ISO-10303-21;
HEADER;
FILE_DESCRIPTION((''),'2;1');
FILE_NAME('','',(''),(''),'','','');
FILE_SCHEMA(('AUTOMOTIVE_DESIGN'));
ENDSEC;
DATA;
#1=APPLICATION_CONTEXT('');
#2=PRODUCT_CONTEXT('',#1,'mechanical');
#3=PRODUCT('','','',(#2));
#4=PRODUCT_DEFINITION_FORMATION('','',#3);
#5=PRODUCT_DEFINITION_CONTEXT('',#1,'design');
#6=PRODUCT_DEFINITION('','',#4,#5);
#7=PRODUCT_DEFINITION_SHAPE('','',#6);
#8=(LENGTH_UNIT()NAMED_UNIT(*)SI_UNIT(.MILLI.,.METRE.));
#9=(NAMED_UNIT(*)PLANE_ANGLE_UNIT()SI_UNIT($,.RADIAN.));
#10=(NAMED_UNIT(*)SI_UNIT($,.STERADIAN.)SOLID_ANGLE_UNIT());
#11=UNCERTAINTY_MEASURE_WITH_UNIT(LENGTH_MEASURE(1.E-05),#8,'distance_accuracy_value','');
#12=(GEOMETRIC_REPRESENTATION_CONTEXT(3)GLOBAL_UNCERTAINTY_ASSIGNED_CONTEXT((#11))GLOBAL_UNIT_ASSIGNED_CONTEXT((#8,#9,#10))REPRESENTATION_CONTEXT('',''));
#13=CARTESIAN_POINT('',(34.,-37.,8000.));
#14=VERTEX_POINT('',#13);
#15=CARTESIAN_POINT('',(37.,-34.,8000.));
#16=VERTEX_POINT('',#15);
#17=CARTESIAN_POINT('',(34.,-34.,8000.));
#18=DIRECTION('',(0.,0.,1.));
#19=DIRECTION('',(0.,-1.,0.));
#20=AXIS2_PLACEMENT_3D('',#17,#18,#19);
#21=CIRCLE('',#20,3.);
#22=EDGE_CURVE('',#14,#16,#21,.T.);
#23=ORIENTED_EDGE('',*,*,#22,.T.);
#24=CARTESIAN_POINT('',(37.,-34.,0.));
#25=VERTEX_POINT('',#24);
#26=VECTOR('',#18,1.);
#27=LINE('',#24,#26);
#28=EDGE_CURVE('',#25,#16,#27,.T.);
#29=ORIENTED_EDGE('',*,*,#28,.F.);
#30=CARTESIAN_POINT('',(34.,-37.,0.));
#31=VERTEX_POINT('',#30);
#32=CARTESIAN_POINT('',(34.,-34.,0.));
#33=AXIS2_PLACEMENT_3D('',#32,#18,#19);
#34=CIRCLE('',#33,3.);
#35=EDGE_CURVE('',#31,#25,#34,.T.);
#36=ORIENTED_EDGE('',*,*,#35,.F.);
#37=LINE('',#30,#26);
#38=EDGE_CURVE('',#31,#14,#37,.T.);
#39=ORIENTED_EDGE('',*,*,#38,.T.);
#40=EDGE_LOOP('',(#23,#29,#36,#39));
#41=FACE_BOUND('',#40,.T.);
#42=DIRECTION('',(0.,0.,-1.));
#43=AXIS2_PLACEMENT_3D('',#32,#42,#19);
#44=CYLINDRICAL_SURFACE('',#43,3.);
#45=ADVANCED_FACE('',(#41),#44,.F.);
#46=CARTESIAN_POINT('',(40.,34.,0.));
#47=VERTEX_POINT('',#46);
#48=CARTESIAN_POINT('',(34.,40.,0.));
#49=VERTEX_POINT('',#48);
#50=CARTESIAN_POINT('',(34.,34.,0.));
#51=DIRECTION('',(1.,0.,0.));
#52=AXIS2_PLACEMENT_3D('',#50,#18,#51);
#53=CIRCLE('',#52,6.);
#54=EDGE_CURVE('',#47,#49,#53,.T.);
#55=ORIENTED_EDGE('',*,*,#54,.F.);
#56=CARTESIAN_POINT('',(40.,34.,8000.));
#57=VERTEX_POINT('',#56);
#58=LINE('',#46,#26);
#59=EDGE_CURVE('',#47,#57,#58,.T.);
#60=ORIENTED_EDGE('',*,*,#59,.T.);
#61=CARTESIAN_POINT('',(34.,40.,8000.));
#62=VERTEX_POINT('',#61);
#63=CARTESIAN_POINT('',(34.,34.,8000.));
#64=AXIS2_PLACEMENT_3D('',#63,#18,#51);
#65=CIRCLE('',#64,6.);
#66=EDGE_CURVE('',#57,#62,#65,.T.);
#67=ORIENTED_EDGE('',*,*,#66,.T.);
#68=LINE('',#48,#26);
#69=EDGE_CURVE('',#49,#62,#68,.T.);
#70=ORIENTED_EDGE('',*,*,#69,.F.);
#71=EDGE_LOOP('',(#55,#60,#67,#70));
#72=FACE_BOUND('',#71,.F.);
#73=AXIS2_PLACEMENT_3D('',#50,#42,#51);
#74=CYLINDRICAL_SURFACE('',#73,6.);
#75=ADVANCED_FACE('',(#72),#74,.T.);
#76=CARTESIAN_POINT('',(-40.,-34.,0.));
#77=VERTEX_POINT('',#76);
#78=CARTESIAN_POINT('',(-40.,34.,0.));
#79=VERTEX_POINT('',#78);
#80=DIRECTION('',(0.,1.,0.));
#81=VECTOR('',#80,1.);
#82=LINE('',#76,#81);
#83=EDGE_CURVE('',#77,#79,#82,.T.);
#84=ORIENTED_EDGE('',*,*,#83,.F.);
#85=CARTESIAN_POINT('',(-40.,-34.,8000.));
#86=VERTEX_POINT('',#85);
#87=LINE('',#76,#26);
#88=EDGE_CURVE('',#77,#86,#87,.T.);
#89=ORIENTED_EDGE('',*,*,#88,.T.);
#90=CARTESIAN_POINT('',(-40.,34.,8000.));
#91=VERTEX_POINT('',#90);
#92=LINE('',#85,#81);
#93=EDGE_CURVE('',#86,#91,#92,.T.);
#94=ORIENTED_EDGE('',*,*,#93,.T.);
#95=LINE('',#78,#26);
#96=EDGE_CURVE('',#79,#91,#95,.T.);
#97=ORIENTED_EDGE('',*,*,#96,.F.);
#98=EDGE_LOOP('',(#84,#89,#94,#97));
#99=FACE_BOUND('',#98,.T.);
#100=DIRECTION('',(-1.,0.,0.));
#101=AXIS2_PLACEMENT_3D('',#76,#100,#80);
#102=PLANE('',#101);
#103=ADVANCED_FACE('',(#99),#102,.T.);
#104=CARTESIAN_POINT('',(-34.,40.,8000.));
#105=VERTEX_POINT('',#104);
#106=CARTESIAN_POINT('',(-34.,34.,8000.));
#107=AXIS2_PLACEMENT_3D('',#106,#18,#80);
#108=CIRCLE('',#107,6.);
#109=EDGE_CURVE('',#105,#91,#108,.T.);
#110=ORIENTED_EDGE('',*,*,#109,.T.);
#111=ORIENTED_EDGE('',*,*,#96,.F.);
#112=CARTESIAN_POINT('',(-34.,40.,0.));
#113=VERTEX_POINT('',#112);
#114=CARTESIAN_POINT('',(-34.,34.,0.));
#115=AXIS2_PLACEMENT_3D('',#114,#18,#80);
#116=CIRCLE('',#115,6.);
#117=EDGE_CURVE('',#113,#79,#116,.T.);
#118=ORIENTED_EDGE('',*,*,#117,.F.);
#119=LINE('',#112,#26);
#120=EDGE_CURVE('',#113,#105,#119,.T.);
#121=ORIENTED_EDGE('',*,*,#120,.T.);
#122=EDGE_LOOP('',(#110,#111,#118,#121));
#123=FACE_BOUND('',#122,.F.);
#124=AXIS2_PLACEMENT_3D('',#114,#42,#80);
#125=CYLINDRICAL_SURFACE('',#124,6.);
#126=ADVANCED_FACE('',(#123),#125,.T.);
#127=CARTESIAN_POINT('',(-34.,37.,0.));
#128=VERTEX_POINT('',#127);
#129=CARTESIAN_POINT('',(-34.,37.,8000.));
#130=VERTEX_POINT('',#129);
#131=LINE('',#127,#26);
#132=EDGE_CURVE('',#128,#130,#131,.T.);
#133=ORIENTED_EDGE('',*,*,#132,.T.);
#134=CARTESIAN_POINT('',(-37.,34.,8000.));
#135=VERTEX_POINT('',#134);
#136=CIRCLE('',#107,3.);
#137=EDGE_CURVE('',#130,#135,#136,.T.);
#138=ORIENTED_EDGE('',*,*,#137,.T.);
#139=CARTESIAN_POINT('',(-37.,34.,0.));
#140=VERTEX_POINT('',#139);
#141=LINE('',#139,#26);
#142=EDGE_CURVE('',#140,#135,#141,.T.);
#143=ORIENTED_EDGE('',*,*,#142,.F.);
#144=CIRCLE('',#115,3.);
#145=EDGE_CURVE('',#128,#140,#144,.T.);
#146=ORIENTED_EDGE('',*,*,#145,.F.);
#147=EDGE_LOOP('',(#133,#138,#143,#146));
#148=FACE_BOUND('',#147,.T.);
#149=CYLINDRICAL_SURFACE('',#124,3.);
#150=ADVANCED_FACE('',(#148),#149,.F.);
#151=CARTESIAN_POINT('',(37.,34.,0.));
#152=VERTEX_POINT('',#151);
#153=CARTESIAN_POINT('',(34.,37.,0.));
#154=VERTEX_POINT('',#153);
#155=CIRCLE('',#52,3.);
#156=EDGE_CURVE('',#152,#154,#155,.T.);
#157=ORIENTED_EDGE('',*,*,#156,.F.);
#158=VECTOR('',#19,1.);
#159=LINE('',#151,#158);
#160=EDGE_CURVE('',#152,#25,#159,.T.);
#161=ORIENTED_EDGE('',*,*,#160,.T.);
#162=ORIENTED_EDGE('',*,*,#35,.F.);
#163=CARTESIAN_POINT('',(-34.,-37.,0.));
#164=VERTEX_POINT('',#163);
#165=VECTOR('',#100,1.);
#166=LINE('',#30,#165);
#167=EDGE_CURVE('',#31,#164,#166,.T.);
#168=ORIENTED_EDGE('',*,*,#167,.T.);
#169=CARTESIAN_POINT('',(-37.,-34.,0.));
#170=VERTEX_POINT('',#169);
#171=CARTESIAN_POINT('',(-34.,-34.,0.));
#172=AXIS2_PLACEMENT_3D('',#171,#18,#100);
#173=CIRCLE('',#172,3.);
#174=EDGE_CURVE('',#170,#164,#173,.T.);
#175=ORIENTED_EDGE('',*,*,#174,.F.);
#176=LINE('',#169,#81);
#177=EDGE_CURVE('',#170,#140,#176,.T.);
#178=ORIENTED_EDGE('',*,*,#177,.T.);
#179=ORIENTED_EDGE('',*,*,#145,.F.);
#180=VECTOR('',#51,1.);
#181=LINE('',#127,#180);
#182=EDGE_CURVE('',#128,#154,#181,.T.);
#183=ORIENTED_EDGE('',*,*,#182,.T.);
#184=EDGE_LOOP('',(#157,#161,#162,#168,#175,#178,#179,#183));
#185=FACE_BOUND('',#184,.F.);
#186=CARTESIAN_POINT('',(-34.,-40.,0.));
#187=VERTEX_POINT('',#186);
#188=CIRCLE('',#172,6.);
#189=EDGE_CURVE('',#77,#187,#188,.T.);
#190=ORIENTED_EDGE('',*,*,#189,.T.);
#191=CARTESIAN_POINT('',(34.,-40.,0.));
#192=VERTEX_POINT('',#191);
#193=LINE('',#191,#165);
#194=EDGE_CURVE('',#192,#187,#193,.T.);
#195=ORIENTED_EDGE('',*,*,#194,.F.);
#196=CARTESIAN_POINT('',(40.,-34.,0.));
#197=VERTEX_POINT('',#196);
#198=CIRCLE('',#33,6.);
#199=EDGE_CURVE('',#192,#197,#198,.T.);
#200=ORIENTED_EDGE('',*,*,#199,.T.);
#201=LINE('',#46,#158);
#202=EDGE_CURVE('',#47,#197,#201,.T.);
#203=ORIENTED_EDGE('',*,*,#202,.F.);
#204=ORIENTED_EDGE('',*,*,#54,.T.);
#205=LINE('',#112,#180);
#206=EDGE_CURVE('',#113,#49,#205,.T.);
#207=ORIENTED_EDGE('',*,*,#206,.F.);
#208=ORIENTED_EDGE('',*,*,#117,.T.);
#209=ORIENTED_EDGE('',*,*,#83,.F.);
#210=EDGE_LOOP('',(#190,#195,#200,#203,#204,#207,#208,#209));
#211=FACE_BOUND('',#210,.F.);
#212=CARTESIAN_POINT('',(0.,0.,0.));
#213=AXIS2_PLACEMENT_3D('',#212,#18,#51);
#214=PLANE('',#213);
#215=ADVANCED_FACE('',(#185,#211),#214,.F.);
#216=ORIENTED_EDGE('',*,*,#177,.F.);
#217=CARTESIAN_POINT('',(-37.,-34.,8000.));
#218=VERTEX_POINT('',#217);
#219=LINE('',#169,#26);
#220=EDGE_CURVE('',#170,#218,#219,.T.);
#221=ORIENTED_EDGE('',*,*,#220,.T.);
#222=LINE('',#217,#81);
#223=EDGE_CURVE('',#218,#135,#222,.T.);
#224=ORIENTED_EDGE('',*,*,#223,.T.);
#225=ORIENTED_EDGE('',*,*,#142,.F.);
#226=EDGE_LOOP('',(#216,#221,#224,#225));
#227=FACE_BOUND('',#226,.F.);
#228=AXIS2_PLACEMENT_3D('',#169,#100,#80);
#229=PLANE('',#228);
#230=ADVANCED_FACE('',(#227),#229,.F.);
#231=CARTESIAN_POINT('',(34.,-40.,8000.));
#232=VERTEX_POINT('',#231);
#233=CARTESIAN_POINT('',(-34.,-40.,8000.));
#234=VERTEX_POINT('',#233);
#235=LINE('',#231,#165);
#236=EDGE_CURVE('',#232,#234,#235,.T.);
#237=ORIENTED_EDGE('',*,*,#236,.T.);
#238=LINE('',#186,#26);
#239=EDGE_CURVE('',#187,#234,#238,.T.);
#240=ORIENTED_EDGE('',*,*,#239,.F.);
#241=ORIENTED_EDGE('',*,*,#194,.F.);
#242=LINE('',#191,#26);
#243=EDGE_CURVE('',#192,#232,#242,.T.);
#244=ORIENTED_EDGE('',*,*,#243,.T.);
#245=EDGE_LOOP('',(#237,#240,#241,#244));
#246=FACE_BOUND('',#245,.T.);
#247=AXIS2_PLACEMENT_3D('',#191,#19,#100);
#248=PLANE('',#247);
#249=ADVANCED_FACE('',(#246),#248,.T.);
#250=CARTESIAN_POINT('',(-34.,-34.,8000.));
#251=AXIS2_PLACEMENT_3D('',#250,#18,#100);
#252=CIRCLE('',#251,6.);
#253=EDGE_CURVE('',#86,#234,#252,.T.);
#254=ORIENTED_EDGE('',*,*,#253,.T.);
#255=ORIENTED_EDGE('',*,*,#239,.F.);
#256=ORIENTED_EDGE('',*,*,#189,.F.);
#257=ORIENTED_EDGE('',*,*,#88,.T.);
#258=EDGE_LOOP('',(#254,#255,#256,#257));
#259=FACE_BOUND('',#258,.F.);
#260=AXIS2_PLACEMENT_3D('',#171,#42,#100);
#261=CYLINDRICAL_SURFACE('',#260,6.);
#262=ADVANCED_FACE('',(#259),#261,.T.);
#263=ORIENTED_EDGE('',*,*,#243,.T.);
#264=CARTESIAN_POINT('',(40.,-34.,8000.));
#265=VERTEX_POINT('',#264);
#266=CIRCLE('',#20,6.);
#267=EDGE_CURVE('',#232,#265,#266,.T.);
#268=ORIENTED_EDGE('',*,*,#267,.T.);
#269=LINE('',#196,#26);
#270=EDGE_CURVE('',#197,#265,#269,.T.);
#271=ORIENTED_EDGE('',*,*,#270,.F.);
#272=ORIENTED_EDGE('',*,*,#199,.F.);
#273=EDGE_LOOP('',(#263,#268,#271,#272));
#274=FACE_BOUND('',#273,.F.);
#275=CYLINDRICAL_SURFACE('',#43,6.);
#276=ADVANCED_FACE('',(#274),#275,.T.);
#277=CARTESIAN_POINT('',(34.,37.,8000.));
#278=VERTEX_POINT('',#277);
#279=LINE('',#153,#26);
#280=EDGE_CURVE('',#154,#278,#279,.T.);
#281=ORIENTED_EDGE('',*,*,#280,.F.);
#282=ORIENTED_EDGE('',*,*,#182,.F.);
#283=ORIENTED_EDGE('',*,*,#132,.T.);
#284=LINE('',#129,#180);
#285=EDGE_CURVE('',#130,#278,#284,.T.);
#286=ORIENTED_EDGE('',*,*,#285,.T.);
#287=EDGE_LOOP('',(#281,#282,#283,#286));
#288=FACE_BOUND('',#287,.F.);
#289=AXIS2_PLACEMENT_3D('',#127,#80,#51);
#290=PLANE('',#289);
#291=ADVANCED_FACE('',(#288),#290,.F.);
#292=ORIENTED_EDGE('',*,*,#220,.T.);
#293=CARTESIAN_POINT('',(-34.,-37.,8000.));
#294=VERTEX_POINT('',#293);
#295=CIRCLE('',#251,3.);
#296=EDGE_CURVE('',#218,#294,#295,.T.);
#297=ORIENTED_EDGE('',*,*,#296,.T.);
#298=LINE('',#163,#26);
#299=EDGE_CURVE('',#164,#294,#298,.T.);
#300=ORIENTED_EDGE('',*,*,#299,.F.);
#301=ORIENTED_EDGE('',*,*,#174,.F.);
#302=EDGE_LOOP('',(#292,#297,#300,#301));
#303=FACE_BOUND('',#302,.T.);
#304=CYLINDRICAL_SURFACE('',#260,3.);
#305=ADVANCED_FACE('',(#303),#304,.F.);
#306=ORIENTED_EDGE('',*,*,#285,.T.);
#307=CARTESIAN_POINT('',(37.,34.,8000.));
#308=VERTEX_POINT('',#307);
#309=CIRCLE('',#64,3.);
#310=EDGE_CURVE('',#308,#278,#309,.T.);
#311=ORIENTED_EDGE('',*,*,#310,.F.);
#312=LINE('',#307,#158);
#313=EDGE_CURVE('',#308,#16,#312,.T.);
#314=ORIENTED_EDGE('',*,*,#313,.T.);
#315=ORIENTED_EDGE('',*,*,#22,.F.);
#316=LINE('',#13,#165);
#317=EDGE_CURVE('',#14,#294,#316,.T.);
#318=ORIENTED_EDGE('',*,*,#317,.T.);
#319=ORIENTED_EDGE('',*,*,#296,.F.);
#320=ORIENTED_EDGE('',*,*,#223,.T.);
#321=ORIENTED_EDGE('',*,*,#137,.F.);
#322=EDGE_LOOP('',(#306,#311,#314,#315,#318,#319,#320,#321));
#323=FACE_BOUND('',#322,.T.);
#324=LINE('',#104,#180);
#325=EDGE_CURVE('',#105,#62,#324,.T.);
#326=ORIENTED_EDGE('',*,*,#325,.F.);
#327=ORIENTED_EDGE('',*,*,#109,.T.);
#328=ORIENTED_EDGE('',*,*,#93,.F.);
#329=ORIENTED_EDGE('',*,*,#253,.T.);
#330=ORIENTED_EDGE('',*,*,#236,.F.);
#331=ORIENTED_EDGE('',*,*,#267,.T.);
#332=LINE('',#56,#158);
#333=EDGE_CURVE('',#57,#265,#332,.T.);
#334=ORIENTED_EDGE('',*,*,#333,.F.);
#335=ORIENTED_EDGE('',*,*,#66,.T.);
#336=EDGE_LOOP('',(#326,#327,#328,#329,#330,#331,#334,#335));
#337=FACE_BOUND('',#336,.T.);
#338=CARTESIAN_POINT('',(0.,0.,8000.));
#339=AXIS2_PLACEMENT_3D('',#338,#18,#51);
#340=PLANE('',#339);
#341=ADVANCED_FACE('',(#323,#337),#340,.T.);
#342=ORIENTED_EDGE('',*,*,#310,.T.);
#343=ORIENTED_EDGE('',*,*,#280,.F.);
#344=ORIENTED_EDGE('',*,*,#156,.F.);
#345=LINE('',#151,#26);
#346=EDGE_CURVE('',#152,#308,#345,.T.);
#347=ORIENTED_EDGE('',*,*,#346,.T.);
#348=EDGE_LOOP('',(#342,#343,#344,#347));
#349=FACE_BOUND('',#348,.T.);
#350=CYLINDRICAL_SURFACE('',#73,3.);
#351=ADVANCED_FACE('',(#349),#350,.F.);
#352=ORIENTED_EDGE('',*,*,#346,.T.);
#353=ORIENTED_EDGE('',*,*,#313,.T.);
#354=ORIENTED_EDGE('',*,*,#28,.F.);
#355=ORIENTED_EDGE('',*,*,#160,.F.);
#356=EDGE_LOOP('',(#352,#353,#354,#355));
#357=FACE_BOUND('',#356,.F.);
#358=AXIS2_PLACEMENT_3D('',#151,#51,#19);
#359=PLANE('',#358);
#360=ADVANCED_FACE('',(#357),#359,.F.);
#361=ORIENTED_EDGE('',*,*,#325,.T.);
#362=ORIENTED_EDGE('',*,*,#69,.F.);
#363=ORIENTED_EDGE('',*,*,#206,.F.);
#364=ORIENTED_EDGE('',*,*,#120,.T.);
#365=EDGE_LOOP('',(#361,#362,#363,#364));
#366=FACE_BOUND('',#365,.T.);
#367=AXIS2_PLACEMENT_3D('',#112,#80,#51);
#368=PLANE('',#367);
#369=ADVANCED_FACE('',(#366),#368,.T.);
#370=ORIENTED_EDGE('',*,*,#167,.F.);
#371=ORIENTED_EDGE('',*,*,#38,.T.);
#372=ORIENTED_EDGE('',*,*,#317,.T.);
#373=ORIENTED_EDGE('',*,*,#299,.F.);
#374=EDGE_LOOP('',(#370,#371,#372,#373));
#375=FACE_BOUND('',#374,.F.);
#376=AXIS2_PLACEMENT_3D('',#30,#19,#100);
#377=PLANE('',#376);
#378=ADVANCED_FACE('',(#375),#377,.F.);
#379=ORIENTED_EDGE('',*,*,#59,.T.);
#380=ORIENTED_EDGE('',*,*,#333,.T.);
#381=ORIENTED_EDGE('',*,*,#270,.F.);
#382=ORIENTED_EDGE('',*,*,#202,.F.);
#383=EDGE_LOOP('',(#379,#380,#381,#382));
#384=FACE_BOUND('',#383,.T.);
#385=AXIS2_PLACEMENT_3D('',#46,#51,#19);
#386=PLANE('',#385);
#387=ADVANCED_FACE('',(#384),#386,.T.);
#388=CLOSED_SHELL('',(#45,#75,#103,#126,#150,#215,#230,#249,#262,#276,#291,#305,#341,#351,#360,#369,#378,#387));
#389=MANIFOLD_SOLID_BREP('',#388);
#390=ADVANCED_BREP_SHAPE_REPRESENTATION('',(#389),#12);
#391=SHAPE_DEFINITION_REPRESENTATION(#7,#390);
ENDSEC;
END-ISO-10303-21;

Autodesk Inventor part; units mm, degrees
ref_plane "YZ Plane" through (0, 0, 0) normal (1, 0, 0) x (0, 1, 0)
ref_plane "Start Plane" through (0, 0, 0) normal (0, 0, 1) x (1, 0, 0)
ref_plane "End Plane" through (0, 0, 8000) normal (0, 0, 1) x (1, 0, 0)
sketch "Sketch" plane through (0, 0, 0) normal (0, 0, 1) x (1, 0, 0)
  line L0 (-40, -34) -> (-40, 34)
  line L1 (-34, 40) -> (34, 40)
  line L2 (40, 34) -> (40, -34)
  line L3 (34, -40) -> (-34, -40)
  arc A0 (-40, -34) -> (-34, -40) centre (-34, -34) ccw
  arc A1 (40, 34) -> (34, 40) centre (34, 34) ccw
  arc A2 (-34, 40) -> (-40, 34) centre (-34, 34) ccw
  arc A3 (34, -40) -> (40, -34) centre (34, -34) ccw
  arc A4 (-34, 37) -> (-37, 34) centre (-34, 34) ccw
  line L4 (-34, 37) -> (34, 37)
  arc A5 (37, 34) -> (34, 37) centre (34, 34) ccw
  line L5 (37, 34) -> (37, -34)
  arc A6 (34, -37) -> (37, -34) centre (34, -34) ccw
  line L6 (34, -37) -> (-34, -37)
  arc A7 (-37, -34) -> (-34, -37) centre (-34, -34) ccw
  line L7 (-37, -34) -> (-37, 34)
  line L8 (0, 57.7397) -> (0, -57.7397) construction
  line L9 (-57.7397, 0) -> (57.7397, 0) construction
  dimension "d7" = 6
  dimension "d9" = 80
  dimension "d11" = 80
  dimension "d12" = 3
  dimension "d15" = 40
  dimension "d16" = 40
extrude "Body" add sketch "Sketch" along normal up to surface (8000 mm away) from surface at 0
sketch "Sketch3" plane through (0, 0, 0) normal (0, 0, 1) x (1, 0, 0)
  line L0 (0, 0) -> (10, 0)
ref_plane "Work Plane3" through (0, 0, 0) normal (0, -1, 0) x (1, 0, 0)
sketch "Sketch4" plane through (0, 0, 0) normal (0, -1, 0) x (1, 0, 0)
  line L0 (-2, 0) -> (12, 0) projected
  line L1 (-2, 8000) -> (12, 8000) projected
  dimension "d18" = 8000
equation "\"d7\" = G_IR"
equation "\"d9\" = G_W"
equation "\"d11\" = G_H"
equation "\"d12\" = G_T"
equation "\"d15\" = 0.5 * d9"
equation "\"d16\" = 0.5 * d11"
equation "\"d3\" = G_L"
equation "\"G_W\" = 80"
equation "\"G_H\" = 80"
equation "\"G_T\" = 3"
equation "\"G_IR\" = 6"
equation "\"G_L\" = d18"
equation "\"G_OFFSET_START\" = 0"
equation "\"G_OFFSET_END\" = 0"
properties part number "ISO 10799-2 - 80x80x3 - 8000" material "Steel, Mild"
